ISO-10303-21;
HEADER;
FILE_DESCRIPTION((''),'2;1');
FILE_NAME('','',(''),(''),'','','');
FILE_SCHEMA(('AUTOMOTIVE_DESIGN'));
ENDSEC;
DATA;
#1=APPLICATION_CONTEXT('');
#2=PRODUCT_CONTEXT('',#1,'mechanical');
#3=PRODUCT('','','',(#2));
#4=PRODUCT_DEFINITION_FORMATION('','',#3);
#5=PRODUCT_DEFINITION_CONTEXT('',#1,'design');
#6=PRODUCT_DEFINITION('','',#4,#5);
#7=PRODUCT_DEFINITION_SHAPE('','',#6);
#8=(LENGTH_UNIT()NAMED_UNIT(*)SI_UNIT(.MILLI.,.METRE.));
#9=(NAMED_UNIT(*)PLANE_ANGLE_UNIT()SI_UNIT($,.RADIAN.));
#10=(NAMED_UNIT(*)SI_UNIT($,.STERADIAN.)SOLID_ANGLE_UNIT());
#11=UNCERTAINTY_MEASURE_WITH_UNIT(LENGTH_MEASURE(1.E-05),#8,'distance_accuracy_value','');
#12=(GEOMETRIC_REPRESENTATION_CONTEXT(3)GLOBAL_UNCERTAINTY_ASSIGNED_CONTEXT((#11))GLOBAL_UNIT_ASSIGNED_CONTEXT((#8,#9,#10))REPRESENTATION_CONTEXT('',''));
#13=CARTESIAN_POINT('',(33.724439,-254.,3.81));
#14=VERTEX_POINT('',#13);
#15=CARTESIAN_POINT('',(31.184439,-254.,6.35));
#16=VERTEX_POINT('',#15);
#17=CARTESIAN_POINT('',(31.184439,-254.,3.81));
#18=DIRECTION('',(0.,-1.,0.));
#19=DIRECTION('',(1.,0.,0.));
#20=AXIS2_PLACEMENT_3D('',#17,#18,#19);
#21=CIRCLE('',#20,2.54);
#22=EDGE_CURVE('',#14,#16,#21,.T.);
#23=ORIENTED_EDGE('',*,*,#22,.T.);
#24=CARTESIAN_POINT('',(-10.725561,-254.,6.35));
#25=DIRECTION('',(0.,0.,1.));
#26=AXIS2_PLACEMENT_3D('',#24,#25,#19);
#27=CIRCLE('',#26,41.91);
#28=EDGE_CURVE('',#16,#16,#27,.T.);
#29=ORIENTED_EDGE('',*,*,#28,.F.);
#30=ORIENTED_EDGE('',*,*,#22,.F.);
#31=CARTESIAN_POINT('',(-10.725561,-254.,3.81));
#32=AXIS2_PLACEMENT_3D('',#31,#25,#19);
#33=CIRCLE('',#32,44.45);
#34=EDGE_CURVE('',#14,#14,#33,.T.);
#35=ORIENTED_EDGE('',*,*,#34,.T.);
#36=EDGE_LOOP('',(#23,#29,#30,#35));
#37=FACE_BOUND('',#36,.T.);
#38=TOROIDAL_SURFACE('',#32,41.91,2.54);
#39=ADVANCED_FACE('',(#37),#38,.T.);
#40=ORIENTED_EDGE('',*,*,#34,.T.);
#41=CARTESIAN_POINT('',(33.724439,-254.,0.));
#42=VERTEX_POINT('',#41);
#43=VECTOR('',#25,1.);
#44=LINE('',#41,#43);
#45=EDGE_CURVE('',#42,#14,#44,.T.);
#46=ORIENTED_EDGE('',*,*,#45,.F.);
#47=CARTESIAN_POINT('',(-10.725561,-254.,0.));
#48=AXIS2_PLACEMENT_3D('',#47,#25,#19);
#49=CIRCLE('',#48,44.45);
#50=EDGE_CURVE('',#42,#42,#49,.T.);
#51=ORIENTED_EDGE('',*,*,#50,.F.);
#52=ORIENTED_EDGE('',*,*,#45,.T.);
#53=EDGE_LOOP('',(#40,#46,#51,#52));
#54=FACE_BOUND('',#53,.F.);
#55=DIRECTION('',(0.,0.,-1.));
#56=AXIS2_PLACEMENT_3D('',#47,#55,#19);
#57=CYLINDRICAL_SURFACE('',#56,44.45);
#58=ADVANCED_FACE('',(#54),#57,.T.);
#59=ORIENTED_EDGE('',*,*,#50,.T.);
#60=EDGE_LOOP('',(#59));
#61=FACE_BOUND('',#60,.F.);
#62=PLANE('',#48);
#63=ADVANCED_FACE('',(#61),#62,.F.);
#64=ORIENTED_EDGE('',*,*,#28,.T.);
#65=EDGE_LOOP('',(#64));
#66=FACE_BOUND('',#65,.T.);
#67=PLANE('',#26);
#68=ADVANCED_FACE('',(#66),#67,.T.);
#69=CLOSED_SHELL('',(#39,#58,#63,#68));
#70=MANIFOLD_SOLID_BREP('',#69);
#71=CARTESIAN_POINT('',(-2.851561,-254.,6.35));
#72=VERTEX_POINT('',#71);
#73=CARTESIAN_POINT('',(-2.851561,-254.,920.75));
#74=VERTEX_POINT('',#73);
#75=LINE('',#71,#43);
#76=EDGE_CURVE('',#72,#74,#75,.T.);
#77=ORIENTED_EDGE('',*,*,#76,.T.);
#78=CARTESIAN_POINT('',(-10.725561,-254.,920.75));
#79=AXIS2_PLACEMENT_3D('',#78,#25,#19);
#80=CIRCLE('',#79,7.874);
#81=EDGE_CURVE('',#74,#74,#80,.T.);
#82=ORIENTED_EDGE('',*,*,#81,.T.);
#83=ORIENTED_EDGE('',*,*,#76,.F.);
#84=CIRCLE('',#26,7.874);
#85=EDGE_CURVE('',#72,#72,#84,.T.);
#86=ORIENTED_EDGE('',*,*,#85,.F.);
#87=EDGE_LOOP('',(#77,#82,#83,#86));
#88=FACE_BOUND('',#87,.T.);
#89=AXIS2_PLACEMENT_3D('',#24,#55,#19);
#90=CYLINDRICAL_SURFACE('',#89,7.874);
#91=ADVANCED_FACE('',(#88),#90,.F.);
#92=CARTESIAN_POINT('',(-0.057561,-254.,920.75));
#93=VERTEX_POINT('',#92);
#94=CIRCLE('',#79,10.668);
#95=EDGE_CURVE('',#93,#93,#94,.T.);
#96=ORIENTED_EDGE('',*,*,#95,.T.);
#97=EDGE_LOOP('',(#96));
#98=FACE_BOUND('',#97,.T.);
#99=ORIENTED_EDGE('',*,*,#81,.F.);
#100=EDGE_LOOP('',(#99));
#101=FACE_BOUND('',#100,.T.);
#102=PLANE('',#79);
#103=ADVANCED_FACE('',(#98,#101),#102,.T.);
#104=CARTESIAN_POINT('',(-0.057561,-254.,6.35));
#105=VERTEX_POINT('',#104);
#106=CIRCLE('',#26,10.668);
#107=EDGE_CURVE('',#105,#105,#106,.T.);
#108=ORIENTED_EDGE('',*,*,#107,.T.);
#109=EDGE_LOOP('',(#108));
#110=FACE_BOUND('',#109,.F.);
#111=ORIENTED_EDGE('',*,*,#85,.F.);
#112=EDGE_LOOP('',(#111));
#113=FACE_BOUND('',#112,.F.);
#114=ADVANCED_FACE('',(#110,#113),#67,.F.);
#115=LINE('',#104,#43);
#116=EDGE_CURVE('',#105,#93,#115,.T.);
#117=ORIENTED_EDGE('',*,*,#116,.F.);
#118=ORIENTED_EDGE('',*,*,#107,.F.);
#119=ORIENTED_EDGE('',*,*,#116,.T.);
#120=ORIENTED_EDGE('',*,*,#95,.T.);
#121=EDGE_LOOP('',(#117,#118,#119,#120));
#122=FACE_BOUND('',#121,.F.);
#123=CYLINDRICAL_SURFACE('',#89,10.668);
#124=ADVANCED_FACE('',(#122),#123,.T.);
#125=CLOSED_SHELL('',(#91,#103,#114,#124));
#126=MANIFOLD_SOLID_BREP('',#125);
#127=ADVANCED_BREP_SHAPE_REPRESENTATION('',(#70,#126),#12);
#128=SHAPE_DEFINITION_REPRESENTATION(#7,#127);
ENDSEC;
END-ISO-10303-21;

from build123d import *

# Parameters (mm, degrees)
F0_R     = 44.45
F1_DEPTH = 6.35
F2_R     = 2.54
F3_R     = 10.668
F3_R_2   = 7.874
F4_DEPTH = 914.4


with BuildPart() as f1:
    # F0 (on Top) → F1 (new body)
    with BuildSketch(Plane.XY):
        with Locations((-10.725561, -254)):
            Circle(F0_R)
    extrude(amount=F1_DEPTH)

    # F2
    f2_edges = [f1.edges().sort_by_distance(p)[0] for p in [
        (-55.175561, -254, 6.35),
    ]]
    fillet(f2_edges, radius=F2_R)


with BuildPart() as f4:
    # F3 (on face) → F4 (new body)
    with BuildSketch(Plane.XY.offset(6.35)):
        with Locations((-10.725561, -254)):
            Circle(F3_R)
        with Locations((-10.725561, -254)):
            Circle(F3_R_2, mode=Mode.SUBTRACT)
    extrude(amount=F4_DEPTH)


solid = Compound([f1.part, f4.part])
